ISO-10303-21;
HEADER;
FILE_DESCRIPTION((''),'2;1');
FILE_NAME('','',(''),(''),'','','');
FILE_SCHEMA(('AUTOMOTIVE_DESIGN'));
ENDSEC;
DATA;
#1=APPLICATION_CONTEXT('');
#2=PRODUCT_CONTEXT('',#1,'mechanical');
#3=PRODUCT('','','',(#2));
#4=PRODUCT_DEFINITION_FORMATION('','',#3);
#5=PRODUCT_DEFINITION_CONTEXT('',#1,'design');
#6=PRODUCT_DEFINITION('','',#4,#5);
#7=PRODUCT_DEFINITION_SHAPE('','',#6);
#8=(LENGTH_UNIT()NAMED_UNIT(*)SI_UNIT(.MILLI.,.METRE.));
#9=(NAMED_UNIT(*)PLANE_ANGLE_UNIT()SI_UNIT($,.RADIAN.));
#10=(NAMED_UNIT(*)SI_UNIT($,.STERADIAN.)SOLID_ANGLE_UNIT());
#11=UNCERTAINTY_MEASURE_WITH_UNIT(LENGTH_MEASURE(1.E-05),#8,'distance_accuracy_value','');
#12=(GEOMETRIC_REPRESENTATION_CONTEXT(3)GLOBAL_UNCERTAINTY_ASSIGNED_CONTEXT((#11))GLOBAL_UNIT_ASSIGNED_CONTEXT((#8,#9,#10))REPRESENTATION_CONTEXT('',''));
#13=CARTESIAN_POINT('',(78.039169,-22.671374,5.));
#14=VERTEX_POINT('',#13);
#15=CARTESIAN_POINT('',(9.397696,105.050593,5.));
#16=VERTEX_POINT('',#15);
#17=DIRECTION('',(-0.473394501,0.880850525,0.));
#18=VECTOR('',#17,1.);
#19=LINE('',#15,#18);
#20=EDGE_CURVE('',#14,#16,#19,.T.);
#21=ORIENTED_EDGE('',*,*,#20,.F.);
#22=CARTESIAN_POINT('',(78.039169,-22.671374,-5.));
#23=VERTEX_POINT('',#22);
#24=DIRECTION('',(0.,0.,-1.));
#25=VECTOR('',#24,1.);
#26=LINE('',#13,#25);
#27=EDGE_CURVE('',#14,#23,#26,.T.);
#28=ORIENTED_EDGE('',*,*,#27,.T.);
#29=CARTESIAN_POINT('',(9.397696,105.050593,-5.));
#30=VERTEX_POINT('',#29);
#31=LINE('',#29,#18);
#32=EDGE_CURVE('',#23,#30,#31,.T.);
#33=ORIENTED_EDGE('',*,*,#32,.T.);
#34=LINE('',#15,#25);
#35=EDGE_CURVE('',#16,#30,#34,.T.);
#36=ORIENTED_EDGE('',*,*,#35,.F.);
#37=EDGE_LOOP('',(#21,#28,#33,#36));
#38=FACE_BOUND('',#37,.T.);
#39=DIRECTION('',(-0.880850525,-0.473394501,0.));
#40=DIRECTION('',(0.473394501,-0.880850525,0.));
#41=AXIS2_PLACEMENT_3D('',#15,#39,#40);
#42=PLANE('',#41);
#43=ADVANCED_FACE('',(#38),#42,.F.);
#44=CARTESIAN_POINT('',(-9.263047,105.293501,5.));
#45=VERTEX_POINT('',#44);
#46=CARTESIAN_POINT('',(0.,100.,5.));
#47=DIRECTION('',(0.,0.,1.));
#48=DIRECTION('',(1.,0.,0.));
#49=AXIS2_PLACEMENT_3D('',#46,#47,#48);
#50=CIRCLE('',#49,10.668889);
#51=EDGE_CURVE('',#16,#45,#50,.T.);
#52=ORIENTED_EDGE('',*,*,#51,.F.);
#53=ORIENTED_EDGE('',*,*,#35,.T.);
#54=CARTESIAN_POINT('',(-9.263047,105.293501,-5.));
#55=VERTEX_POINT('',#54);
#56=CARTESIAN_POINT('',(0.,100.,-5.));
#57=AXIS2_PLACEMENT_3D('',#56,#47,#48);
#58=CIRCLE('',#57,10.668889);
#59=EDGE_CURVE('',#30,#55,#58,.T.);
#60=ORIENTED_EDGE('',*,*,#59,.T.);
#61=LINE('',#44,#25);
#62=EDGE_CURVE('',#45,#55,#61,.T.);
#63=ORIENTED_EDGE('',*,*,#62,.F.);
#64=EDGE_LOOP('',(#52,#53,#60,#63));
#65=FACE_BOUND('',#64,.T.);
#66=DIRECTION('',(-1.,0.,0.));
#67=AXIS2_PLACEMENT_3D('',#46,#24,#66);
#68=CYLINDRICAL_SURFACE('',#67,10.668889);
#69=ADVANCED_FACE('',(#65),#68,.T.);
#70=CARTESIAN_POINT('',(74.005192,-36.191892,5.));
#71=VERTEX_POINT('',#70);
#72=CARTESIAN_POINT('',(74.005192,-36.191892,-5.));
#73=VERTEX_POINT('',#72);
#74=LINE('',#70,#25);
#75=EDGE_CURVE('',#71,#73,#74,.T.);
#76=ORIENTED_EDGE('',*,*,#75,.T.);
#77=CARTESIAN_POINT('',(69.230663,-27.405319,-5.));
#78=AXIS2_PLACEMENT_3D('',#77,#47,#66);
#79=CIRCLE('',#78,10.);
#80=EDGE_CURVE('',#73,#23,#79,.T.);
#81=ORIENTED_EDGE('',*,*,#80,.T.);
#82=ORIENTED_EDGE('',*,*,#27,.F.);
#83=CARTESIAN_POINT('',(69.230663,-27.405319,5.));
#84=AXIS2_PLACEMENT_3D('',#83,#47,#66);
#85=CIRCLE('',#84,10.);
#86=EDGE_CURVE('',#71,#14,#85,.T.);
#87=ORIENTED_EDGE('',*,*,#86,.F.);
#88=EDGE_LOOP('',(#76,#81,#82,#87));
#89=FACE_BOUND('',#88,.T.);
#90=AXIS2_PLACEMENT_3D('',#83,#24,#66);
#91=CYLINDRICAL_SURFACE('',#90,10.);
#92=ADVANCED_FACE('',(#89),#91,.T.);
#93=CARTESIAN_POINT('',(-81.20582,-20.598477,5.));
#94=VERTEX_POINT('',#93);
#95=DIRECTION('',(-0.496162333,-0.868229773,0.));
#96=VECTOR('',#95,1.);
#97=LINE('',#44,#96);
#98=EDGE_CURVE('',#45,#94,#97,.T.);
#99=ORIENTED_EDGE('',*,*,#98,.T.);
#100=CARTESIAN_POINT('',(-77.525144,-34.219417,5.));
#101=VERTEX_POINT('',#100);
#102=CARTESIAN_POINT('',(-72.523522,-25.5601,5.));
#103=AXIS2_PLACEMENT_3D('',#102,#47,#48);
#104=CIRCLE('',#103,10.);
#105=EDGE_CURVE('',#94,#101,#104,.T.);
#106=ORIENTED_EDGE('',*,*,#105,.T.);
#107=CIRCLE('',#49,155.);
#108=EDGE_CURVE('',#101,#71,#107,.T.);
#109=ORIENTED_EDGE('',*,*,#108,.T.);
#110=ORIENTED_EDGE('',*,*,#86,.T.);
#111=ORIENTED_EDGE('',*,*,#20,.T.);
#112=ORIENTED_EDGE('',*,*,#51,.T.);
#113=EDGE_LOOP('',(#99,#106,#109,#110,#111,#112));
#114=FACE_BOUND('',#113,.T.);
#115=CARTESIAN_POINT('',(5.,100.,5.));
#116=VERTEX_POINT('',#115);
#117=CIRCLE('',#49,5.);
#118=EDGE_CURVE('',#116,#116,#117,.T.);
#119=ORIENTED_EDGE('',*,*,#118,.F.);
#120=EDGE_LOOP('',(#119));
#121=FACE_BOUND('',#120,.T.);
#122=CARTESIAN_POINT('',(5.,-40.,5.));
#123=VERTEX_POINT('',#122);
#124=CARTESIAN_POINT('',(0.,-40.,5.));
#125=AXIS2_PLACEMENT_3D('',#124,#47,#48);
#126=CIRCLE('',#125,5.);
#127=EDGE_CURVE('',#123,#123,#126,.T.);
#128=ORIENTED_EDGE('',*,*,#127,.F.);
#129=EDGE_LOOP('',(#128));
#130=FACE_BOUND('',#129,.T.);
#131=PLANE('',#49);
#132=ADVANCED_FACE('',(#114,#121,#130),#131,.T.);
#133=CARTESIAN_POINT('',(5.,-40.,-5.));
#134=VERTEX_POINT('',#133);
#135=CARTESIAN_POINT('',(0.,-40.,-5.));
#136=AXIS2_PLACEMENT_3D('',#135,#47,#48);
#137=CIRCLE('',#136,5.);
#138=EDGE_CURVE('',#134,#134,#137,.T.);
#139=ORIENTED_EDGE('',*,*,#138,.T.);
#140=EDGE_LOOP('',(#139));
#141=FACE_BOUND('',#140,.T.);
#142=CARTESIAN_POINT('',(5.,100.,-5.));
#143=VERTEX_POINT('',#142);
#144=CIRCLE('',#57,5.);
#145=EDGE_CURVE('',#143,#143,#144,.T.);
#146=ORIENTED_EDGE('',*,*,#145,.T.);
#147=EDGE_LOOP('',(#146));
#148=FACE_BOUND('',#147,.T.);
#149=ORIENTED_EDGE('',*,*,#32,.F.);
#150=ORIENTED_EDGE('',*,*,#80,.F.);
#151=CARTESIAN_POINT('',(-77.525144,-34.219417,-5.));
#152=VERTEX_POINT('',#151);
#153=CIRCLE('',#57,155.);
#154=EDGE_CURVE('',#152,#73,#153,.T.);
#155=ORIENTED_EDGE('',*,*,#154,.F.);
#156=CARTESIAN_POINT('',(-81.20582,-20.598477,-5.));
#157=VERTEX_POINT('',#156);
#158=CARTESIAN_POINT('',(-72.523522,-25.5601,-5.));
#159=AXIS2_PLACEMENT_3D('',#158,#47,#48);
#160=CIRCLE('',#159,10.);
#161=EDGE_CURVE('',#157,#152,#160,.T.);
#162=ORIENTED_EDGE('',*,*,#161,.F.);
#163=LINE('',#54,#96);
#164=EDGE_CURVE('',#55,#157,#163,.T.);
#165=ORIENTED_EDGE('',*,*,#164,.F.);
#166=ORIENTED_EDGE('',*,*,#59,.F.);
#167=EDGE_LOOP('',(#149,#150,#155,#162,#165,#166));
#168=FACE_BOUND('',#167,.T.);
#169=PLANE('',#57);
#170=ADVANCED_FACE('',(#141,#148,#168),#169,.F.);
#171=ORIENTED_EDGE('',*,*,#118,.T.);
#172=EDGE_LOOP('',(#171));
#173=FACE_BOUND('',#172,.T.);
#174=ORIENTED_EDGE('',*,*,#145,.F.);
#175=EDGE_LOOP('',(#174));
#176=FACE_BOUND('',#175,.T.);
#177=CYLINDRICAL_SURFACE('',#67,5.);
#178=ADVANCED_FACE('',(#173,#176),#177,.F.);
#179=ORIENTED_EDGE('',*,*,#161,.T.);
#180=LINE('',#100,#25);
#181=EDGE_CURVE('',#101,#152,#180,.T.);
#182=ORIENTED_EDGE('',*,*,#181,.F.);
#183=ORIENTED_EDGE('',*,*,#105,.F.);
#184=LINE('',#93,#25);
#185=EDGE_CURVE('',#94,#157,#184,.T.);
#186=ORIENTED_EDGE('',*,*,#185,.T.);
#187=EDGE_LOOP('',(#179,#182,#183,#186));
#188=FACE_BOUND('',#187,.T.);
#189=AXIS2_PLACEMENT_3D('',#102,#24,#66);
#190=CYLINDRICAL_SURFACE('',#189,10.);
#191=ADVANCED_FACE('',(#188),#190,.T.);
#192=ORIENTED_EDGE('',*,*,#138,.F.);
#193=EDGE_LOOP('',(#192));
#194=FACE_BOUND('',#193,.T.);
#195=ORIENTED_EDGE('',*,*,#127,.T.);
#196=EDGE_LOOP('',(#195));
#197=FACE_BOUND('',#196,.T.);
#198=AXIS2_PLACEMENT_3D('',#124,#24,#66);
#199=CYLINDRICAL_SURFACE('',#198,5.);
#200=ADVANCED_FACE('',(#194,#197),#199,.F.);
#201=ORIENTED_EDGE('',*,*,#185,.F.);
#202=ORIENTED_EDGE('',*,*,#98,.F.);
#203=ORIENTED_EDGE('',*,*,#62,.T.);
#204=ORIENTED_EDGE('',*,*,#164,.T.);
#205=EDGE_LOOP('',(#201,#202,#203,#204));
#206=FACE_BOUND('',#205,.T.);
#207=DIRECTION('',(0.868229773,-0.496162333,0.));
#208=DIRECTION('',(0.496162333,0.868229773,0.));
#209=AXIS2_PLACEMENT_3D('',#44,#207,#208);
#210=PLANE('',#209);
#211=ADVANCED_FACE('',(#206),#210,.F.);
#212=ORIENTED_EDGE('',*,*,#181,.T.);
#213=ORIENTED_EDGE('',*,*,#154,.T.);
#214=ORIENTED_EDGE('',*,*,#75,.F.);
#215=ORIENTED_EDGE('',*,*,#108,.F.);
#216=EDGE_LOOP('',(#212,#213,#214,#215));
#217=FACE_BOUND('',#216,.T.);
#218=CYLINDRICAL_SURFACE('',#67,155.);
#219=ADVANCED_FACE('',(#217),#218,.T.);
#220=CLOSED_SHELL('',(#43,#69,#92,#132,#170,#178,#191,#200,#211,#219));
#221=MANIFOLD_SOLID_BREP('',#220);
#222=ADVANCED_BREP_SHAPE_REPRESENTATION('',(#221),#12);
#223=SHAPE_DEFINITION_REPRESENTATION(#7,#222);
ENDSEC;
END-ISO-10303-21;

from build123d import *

# Parameters (mm, degrees)
SKETCH1_R          = 5
BASE_EXTRUDE_DEPTH = 5


with BuildPart() as part:
    # Sketch1 → Base-Extrude (new, symmetric)
    with BuildSketch(Plane.XY):
        with BuildLine():
            Line((9.397696336, 105.05059331), (78.039168607, -22.671373759))
            ThreePointArc((78.039168607, -22.671373759), (78.813241725, -30.264373144), (74.00519187, -36.191892476))
            ThreePointArc((74.00519187, -36.191892476), (-2.017468863, -54.986869829), (-77.525144227, -34.21941742))
            ThreePointArc((-77.525144227, -34.21941742), (-82.177273716, -28.168754641), (-81.205819752, -20.598476837))
            Line((-81.205819752, -20.598476837), (-9.263046944, 105.293500781))
            ThreePointArc((-9.263046944, 105.293500781), (0.138865491, 110.667985076), (9.397696336, 105.05059331))
        make_face()
        with Locations((0, -40)):
            Circle(SKETCH1_R, mode=Mode.SUBTRACT)
        with Locations((0, 100)):
            Circle(SKETCH1_R, mode=Mode.SUBTRACT)
    extrude(amount=BASE_EXTRUDE_DEPTH, both=True)


solid = part.part
